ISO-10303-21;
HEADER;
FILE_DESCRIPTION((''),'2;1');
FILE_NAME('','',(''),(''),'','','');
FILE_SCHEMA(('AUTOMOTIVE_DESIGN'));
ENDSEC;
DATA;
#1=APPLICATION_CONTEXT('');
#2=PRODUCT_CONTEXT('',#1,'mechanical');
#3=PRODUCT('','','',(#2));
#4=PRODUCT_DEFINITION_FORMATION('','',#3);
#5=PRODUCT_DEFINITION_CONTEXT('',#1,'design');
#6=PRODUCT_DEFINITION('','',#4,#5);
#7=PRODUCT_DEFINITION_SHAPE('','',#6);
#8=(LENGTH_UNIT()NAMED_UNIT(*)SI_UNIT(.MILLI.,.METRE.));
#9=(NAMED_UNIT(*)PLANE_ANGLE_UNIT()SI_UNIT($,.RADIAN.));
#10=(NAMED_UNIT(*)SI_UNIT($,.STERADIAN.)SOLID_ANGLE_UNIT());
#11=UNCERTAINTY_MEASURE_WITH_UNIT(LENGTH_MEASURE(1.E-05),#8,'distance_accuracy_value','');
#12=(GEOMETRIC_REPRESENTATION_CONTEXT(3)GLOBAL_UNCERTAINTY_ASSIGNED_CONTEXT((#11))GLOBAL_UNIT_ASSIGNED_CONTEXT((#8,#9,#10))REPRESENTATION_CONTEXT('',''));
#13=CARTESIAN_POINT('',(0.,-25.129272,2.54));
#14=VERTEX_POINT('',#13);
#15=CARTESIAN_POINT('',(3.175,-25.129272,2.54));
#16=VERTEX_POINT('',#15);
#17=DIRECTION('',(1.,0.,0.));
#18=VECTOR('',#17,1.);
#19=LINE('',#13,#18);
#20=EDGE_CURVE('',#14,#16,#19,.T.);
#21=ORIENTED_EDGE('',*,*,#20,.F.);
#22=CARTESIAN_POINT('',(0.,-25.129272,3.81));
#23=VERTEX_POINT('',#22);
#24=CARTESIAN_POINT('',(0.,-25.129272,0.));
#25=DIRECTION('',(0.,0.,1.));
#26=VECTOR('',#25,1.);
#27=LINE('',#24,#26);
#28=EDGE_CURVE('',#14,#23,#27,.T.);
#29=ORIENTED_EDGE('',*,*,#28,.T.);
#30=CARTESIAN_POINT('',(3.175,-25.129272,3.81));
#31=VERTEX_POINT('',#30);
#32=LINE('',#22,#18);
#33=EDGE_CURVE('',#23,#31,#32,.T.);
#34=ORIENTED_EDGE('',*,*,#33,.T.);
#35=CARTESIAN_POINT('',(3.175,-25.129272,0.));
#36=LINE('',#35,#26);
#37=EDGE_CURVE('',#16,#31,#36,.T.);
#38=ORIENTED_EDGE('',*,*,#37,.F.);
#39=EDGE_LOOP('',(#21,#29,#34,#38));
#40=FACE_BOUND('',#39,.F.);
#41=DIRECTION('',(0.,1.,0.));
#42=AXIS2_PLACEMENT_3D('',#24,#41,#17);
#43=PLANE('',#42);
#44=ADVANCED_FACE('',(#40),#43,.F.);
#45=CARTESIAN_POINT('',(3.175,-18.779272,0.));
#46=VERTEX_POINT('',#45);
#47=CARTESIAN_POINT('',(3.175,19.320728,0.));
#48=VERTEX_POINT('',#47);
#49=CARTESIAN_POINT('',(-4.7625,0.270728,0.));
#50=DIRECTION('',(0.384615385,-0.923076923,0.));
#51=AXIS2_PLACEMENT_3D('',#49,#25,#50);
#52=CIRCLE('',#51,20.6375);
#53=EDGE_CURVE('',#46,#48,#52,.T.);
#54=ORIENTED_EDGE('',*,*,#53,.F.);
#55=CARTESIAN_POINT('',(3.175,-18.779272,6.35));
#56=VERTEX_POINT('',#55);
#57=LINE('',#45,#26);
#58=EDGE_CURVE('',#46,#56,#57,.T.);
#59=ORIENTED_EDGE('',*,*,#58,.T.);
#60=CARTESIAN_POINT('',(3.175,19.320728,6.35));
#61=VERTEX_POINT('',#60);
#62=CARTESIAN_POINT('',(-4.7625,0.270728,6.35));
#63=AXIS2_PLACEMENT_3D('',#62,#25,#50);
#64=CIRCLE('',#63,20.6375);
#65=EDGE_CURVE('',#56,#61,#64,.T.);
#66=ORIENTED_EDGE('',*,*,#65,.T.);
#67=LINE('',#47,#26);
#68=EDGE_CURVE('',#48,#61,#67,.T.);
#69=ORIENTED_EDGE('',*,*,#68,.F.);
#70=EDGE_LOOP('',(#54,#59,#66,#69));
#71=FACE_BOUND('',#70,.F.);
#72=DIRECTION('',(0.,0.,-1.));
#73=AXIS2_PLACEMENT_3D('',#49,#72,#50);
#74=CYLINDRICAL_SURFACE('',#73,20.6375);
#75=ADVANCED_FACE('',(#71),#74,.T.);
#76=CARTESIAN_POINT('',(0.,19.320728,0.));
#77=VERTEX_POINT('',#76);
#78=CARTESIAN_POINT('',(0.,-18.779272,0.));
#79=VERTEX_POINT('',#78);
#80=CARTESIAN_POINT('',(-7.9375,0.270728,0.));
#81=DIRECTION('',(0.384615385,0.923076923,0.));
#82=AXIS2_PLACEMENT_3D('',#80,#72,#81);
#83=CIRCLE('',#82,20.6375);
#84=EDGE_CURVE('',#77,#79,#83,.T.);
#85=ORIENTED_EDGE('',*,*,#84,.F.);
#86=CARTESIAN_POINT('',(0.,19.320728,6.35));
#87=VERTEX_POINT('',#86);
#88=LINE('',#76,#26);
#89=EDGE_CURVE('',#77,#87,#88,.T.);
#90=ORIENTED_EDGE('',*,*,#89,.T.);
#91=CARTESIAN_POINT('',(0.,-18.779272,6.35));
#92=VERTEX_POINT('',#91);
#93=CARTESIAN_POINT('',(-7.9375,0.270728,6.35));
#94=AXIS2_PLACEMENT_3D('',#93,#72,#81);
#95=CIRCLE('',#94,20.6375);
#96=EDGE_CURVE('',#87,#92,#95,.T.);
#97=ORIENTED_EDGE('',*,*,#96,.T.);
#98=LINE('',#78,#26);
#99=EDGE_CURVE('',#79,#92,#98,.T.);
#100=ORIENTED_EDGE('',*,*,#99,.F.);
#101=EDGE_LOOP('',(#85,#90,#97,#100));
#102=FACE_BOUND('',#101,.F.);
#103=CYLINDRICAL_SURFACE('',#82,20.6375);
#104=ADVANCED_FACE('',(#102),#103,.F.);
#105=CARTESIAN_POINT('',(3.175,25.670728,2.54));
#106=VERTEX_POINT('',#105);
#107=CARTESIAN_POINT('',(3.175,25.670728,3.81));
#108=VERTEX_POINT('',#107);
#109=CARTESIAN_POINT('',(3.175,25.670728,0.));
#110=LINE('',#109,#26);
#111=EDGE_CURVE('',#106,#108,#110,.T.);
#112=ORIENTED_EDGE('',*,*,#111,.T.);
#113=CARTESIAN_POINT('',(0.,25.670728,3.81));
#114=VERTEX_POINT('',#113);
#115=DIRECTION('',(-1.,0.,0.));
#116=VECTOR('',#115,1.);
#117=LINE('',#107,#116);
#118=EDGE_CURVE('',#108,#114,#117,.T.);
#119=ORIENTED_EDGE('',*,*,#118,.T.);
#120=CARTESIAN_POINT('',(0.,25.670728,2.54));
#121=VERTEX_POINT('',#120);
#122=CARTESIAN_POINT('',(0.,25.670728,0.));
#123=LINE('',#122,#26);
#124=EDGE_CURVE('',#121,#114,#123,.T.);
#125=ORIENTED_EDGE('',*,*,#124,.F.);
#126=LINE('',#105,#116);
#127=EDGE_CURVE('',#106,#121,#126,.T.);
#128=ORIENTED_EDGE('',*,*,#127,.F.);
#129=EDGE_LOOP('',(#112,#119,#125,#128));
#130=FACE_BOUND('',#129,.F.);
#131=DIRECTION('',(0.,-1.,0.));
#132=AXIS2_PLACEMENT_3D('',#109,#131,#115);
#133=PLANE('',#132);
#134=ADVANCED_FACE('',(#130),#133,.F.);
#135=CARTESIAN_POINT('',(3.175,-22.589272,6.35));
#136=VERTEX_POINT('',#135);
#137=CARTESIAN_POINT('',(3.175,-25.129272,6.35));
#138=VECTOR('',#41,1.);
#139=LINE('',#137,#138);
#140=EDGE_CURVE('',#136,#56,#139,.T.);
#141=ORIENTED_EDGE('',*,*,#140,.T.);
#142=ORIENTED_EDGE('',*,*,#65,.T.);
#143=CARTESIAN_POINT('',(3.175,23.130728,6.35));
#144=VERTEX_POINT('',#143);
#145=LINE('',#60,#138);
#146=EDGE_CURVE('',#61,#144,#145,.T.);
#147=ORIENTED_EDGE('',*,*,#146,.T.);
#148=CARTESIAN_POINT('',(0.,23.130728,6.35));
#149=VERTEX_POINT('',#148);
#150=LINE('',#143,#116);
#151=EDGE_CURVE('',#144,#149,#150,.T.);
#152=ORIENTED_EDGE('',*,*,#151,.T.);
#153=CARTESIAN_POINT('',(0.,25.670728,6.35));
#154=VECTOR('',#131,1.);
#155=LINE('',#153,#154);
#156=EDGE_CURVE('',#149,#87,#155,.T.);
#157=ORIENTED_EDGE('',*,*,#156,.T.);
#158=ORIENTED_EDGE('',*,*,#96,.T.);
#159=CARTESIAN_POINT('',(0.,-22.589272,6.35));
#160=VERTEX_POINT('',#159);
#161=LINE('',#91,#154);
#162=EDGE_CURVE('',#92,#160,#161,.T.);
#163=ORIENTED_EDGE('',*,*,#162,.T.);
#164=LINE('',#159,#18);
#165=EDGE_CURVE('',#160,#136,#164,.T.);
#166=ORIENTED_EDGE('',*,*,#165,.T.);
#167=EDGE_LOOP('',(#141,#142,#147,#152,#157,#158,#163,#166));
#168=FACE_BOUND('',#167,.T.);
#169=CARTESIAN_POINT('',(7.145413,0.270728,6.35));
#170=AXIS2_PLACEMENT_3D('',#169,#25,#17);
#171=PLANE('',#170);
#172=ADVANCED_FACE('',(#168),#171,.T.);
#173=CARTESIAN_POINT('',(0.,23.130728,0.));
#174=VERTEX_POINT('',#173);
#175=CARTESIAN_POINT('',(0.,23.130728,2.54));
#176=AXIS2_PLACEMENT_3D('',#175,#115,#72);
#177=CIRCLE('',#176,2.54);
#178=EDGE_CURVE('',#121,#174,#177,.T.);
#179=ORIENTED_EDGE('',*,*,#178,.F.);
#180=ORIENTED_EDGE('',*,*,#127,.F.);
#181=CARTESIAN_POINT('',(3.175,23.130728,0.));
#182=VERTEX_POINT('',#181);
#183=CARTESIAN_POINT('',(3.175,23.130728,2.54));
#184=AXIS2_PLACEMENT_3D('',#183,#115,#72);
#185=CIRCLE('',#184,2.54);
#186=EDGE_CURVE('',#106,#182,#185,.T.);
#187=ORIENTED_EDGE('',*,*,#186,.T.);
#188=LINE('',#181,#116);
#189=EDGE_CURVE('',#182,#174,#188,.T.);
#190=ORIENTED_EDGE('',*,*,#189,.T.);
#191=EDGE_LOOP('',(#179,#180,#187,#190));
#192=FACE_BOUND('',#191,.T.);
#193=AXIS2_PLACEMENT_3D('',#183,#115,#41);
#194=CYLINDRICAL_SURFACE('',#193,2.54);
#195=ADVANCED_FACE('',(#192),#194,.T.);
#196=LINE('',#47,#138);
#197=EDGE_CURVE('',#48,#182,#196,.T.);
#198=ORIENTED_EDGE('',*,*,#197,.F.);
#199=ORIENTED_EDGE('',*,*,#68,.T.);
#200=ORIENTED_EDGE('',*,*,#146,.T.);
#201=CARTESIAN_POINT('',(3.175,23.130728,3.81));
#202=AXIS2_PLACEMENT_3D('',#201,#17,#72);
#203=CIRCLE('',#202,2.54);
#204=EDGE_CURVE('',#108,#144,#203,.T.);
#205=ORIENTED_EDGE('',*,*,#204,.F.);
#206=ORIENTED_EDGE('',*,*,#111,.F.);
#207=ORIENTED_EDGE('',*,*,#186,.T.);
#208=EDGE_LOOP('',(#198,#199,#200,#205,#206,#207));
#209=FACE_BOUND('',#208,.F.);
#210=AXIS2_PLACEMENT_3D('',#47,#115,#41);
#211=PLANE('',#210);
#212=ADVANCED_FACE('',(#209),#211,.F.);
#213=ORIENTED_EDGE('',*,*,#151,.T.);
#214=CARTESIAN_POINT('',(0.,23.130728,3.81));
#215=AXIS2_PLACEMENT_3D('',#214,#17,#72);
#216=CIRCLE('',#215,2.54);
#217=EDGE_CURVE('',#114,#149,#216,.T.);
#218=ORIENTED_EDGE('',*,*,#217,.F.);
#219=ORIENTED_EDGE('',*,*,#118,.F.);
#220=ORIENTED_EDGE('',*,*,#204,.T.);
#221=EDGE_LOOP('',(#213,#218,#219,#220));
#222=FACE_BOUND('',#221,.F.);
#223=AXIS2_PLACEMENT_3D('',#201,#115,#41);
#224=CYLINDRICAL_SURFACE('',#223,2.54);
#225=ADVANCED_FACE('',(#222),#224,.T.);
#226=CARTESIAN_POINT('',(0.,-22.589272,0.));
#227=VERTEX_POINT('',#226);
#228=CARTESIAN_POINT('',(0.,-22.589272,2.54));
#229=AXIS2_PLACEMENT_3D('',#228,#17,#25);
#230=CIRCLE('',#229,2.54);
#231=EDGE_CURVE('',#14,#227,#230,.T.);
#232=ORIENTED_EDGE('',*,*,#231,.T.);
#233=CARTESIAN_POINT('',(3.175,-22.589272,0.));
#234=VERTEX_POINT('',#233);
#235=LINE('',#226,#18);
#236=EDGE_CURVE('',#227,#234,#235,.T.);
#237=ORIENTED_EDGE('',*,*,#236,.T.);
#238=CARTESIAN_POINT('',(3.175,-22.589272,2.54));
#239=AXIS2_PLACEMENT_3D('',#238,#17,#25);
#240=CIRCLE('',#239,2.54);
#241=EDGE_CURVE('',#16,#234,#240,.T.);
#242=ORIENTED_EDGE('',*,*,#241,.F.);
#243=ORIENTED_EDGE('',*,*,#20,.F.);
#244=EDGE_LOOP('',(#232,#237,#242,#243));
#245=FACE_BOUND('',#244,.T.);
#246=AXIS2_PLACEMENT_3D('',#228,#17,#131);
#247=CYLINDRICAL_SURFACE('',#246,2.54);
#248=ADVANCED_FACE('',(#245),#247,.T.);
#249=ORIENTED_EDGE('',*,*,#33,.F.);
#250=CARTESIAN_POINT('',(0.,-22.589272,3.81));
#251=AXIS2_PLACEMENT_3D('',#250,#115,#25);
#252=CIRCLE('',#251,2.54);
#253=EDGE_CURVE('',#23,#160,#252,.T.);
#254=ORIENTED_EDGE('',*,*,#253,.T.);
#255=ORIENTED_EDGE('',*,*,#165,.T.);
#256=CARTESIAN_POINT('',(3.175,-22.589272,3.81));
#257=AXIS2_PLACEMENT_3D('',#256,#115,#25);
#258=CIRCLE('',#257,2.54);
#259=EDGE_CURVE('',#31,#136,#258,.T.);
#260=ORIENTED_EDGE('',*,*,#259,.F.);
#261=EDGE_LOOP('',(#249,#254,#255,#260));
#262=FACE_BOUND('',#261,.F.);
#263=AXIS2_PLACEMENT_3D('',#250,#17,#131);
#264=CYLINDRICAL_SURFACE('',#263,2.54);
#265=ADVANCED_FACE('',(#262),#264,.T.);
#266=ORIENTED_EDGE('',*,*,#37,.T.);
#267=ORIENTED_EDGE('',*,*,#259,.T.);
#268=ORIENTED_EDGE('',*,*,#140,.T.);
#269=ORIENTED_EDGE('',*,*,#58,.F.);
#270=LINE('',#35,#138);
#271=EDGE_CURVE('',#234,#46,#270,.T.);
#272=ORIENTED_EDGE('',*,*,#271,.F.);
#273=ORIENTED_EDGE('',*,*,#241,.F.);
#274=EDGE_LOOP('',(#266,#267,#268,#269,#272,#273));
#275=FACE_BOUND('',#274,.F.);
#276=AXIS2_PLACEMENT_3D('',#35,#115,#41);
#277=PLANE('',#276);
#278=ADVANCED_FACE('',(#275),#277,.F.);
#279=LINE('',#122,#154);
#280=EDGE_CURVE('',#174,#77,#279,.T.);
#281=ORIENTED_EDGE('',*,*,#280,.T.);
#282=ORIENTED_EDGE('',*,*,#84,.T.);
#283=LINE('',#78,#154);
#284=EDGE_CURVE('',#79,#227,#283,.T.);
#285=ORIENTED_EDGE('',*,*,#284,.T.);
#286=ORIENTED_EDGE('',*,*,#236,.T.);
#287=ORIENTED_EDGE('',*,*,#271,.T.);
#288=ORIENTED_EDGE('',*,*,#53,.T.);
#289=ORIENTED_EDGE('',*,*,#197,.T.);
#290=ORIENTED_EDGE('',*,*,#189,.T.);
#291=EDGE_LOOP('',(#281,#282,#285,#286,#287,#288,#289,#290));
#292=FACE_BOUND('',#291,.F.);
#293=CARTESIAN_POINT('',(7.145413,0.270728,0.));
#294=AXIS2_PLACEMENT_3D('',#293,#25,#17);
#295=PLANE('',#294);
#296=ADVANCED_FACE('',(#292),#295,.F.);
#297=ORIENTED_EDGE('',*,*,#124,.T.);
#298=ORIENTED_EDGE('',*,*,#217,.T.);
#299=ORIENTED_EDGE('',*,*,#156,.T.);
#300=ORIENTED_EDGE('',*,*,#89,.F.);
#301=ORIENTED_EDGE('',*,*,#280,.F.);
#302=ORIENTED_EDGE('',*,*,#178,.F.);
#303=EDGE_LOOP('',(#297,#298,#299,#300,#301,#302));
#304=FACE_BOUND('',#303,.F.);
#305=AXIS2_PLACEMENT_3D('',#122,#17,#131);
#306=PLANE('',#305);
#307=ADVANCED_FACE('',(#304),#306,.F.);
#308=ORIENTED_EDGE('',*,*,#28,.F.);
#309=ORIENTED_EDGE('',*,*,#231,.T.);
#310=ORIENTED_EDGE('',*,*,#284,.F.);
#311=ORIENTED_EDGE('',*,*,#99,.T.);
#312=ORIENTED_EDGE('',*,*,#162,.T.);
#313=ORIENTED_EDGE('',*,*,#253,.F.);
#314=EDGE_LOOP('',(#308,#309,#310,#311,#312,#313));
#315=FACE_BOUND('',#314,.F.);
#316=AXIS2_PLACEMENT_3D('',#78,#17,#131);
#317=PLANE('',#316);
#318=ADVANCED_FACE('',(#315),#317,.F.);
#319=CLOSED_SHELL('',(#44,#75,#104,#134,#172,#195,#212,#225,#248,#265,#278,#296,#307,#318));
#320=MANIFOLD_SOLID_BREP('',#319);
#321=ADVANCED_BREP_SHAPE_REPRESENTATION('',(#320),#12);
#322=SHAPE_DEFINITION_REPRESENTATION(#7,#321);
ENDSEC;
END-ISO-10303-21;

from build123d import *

# Parameters (mm, degrees)
F1_DEPTH = 6.35
F2_R     = 2.54


with BuildPart() as f1:
    # F0 (on Top) → F1 (new body)
    with BuildSketch(Plane.XY):
        with BuildLine():
            ThreePointArc((0, 19.320728), (12.7, 0.270728), (0, -18.779272))
            Line((0, -18.779272), (0, -25.129272))
            Line((0, -25.129272), (3.175, -25.129272))
            Line((3.175, -25.129272), (3.175, -18.779272))
            ThreePointArc((3.175, -18.779272), (15.875, 0.270728), (3.175, 19.320728))
            Line((3.175, 19.320728), (3.175, 25.670728))
            Line((3.175, 25.670728), (0, 25.670728))
            Line((0, 25.670728), (0, 19.320728))
        make_face()
    extrude(amount=F1_DEPTH)

    # F2
    f2_edges = [f1.edges().sort_by_distance(p)[0] for p in [
        (1.5875, -25.129272, 6.35),
        (1.5875, -25.129272, 0),
        (1.5875, 25.670728, 0),
        (1.5875, 25.670728, 6.35),
    ]]
    fillet(f2_edges, radius=F2_R)


solid = f1.part
